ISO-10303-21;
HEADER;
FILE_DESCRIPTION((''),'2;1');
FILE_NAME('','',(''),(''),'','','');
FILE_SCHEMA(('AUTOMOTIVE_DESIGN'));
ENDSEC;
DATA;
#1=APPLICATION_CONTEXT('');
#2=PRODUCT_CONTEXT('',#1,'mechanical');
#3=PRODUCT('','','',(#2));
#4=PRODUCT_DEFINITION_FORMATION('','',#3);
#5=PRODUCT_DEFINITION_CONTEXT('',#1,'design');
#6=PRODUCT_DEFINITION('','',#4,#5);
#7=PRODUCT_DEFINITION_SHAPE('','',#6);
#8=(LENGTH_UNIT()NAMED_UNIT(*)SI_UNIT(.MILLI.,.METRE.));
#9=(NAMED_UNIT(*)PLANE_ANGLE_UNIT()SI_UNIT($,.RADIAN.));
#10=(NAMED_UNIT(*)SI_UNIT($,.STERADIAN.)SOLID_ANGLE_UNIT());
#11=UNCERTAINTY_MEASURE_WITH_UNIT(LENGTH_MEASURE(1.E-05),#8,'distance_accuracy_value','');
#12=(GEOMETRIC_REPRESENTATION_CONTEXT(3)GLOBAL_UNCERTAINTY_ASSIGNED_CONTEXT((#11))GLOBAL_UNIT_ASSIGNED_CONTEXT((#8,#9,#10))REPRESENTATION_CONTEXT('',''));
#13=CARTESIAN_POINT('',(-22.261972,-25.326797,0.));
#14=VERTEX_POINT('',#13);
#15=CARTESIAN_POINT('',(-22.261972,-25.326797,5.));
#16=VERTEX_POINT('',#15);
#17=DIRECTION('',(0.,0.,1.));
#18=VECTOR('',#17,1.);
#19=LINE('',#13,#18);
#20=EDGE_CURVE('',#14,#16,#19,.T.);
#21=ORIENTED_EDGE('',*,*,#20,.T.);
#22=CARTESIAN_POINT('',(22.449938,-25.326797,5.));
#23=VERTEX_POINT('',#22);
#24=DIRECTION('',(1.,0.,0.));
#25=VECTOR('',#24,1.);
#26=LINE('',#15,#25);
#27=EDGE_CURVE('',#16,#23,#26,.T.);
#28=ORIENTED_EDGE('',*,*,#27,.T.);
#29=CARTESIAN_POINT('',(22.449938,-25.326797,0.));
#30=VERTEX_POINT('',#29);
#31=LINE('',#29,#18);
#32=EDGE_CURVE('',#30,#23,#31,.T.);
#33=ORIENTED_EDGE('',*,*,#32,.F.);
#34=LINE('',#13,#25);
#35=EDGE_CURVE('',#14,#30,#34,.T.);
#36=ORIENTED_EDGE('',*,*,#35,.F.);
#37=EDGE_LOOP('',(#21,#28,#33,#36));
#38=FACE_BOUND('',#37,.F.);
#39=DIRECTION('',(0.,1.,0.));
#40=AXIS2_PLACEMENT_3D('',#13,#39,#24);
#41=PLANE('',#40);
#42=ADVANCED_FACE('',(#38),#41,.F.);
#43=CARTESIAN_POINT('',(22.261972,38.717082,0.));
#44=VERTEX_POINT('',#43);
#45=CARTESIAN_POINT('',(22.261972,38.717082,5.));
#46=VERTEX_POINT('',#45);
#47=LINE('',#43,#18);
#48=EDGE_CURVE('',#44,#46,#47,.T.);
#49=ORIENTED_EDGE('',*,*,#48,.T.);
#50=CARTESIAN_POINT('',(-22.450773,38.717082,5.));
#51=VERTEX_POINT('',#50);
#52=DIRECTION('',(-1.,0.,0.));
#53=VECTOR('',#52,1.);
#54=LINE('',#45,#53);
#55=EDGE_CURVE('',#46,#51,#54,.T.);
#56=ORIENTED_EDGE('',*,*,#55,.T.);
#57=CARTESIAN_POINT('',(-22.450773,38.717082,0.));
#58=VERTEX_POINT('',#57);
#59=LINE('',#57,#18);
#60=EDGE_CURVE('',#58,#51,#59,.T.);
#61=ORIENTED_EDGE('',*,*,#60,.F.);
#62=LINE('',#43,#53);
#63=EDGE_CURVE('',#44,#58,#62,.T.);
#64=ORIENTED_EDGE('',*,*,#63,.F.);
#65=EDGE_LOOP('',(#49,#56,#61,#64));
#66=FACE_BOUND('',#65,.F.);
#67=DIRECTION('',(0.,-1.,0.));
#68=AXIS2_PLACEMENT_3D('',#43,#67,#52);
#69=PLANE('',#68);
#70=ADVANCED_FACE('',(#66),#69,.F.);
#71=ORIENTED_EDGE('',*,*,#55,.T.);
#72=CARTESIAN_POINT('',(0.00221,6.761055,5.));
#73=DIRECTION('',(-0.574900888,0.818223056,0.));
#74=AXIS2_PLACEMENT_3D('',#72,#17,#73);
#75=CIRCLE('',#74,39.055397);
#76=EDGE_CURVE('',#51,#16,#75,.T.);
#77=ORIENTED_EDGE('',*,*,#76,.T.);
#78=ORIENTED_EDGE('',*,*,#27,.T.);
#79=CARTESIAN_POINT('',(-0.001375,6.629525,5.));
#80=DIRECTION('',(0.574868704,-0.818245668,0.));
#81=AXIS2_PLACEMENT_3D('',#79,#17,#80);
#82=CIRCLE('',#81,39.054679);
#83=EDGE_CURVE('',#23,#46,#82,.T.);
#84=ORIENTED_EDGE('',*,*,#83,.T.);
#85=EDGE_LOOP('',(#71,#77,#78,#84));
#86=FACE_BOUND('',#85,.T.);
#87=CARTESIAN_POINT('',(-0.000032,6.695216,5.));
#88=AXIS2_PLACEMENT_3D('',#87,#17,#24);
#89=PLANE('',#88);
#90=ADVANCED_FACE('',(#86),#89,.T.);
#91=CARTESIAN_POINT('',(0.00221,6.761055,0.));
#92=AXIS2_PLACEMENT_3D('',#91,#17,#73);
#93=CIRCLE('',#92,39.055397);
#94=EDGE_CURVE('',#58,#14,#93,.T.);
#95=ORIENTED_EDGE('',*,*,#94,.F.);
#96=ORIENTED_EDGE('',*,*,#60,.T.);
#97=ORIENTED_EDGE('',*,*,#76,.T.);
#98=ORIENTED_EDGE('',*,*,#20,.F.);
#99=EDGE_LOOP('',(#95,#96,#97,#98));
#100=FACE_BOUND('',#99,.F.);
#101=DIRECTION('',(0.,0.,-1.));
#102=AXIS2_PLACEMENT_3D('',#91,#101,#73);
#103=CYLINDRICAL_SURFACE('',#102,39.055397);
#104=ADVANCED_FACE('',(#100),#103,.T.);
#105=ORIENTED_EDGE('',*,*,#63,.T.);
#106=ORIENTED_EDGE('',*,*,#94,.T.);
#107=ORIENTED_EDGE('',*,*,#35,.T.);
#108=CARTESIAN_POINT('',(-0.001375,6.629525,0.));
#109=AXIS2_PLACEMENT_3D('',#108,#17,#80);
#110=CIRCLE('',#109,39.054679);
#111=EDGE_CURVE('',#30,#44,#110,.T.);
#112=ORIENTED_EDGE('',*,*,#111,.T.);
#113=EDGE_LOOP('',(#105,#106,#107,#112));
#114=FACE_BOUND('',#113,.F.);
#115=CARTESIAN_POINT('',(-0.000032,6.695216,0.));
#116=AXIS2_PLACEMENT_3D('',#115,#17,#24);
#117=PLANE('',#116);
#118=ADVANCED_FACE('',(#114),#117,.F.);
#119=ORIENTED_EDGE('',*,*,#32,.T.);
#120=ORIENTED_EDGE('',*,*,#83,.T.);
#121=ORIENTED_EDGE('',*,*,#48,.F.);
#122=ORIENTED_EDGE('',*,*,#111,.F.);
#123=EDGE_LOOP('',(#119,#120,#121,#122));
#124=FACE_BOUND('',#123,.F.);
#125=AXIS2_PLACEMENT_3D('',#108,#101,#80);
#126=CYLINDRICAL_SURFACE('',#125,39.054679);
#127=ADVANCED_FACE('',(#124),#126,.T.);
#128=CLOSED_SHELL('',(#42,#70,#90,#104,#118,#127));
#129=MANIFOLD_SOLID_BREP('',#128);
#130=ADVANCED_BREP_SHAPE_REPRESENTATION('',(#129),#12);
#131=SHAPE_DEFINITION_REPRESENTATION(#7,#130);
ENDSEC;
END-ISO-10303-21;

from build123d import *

# Parameters (mm, degrees)
PAD_1_DEPTH = 5


with BuildPart() as part:
    # Sketch_1 → Pad_1 (new body)
    with BuildSketch(Plane.XY):
        with BuildLine():
            ThreePointArc((22.449938, -25.326797), (39.053136, 6.744148), (22.261972, 38.717082))
            Line((22.261972, 38.717082), (-22.450773, 38.717082))
            ThreePointArc((-22.450773, 38.717082), (-39.053018, 6.645921), (-22.261972, -25.326797))
            Line((-22.261972, -25.326797), (22.449938, -25.326797))
        make_face()
    extrude(amount=PAD_1_DEPTH)


solid = part.part
